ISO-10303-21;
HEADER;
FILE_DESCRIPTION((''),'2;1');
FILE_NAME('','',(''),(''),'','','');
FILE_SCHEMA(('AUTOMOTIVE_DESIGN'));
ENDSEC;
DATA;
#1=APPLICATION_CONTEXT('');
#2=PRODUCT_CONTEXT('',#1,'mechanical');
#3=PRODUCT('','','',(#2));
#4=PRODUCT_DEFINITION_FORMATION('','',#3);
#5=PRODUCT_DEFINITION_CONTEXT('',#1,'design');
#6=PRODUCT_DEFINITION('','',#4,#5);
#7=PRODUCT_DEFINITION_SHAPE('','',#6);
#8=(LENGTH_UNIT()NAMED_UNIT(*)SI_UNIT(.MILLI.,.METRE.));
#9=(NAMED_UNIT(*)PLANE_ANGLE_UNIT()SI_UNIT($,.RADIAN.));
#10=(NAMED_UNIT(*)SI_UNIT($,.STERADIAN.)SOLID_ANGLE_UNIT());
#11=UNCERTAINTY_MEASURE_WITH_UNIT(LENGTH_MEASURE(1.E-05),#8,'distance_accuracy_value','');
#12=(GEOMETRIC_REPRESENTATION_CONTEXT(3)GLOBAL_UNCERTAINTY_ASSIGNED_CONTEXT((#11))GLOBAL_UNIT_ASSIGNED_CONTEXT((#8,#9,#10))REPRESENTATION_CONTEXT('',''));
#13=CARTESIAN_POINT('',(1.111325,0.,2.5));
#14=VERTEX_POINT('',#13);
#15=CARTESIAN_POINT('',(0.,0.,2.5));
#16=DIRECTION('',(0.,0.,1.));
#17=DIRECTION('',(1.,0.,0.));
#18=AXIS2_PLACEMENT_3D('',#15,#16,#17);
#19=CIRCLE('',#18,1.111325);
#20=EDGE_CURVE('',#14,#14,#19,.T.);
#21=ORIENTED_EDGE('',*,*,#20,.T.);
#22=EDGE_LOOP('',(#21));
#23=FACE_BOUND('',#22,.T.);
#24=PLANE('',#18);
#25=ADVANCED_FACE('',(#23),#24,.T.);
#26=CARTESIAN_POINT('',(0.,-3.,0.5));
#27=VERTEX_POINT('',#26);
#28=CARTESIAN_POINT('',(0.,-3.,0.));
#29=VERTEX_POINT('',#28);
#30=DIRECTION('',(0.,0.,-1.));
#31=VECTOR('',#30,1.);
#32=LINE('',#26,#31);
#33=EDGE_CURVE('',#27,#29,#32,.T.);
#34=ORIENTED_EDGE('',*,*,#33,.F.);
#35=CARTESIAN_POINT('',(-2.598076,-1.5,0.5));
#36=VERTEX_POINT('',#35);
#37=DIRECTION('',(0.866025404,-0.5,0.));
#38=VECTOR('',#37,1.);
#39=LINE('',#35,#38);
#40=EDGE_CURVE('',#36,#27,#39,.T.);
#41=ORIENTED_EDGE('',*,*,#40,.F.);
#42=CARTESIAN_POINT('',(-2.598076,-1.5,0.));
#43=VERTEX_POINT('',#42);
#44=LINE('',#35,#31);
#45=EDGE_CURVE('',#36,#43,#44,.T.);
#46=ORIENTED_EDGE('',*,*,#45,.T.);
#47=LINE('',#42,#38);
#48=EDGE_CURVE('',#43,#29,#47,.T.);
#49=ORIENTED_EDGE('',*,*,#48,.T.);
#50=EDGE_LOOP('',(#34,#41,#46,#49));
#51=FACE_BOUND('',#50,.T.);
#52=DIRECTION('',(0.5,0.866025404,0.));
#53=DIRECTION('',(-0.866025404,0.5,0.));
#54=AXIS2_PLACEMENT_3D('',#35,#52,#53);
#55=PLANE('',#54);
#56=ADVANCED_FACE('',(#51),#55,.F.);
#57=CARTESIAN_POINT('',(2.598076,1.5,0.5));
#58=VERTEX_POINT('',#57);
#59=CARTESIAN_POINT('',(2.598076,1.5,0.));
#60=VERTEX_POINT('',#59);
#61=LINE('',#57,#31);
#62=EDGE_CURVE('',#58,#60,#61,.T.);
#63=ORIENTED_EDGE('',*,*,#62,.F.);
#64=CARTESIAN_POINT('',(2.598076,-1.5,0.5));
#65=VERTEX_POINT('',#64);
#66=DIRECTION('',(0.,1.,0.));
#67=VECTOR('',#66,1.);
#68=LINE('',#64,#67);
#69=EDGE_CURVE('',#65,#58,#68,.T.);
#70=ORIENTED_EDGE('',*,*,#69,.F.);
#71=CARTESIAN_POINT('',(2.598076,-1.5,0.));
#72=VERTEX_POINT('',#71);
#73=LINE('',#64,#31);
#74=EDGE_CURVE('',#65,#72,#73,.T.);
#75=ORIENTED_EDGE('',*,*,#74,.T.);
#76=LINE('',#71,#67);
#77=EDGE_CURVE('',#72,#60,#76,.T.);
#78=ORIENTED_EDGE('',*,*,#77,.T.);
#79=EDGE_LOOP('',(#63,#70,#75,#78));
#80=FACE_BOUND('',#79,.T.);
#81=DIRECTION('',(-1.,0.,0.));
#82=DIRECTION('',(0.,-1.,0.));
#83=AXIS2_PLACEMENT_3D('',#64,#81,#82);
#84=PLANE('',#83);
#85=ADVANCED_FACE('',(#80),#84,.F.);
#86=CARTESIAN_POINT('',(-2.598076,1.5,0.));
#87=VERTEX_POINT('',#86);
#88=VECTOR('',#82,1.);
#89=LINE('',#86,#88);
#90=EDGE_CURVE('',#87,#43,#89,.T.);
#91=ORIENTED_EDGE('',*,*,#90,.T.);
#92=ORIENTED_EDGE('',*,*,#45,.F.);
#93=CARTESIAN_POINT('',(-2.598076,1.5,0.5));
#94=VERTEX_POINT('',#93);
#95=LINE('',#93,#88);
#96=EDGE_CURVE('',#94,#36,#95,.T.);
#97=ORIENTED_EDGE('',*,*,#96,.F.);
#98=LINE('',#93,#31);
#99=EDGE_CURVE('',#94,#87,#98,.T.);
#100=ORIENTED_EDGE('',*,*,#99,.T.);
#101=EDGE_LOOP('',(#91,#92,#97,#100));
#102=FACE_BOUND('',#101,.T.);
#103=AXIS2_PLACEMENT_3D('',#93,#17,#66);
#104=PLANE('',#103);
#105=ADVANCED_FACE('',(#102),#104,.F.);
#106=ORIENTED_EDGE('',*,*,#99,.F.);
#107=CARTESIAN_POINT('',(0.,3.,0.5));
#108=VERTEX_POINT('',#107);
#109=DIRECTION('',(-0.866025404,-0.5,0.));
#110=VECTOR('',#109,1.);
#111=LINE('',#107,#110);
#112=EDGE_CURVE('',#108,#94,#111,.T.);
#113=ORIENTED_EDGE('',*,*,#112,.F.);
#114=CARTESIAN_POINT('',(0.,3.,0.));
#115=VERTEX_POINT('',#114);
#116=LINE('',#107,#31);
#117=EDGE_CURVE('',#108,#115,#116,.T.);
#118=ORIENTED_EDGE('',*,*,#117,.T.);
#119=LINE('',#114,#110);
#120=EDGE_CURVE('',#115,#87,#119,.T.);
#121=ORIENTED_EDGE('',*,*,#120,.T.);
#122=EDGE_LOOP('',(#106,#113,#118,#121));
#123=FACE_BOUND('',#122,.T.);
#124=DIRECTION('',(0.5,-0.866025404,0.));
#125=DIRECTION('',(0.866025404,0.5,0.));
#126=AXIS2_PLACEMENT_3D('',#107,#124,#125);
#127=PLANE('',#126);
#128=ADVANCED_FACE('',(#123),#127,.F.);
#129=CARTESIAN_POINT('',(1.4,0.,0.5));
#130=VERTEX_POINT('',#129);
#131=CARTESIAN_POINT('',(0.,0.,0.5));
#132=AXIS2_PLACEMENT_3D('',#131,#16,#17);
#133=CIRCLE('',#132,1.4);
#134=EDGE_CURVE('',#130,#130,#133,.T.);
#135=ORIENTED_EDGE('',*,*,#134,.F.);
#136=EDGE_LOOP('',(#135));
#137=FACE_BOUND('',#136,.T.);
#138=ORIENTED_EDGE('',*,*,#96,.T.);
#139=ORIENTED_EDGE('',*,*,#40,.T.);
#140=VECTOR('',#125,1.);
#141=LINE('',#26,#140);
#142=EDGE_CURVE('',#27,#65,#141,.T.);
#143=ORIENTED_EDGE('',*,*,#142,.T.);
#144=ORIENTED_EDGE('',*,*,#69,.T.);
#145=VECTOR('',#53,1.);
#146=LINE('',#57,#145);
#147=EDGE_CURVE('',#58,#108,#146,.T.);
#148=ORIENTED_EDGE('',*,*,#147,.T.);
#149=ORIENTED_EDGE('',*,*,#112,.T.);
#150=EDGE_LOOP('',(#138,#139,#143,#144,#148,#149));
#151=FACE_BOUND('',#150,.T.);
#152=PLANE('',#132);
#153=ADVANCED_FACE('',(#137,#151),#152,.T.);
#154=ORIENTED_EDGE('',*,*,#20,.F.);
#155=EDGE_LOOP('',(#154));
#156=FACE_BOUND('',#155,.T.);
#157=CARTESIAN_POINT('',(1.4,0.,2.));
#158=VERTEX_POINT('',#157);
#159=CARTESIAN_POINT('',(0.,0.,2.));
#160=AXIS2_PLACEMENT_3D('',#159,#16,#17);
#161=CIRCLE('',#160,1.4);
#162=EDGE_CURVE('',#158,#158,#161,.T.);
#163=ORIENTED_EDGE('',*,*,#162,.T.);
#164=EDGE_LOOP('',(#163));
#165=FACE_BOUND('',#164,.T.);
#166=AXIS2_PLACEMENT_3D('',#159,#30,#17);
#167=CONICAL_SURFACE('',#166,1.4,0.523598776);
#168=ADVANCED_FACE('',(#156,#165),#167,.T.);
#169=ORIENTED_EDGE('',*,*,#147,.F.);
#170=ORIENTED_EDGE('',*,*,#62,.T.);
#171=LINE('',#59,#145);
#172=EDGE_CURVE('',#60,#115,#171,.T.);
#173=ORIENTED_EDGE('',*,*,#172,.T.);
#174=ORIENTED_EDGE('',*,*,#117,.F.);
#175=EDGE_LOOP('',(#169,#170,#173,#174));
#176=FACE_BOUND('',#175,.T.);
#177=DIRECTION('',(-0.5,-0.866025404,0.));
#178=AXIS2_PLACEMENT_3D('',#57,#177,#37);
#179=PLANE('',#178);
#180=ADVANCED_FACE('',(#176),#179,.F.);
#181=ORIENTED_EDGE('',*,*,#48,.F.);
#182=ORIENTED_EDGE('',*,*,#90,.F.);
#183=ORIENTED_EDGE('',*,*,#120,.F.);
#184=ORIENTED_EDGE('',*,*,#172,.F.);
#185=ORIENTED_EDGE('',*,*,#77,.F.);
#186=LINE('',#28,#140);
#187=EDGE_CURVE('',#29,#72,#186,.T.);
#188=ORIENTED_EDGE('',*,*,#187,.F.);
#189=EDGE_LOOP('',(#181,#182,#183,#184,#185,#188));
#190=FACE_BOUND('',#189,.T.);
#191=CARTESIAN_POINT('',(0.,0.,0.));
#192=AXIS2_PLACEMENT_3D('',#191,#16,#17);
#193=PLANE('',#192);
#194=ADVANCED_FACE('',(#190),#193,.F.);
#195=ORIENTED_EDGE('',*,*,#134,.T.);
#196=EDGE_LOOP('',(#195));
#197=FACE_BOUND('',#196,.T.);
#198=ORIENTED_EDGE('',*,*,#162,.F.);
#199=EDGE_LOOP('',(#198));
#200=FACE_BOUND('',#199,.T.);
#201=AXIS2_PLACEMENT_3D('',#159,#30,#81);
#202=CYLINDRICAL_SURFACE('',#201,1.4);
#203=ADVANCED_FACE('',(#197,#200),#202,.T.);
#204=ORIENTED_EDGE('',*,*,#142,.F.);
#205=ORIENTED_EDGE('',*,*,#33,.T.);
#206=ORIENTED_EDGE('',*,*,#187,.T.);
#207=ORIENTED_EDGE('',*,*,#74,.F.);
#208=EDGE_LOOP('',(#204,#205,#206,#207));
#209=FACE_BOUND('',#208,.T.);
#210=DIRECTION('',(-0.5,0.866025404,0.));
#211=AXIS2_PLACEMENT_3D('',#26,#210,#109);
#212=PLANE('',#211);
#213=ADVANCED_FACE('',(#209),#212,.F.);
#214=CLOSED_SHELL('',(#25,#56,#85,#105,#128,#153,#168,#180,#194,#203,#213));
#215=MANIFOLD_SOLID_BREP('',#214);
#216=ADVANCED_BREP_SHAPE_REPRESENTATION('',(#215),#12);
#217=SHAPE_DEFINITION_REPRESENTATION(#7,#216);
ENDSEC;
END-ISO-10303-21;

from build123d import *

# Parameters (mm, degrees)
BOSS_EXTRUDE1_DEPTH = 0.5
SKETCH2_R           = 1.4
BOSS_EXTRUDE2_DEPTH = 1.5
SKETCH3_R           = 1.4
BOSS_EXTRUDE3_DEPTH = 0.5
BOSS_EXTRUDE3_TAPER = 30


with BuildPart() as part:
    # Sketch1 → Boss-Extrude1 (new body)
    with BuildSketch(Plane.XY):
        Polygon((0, 3), (-2.598076211, 1.5), (-2.598076211, -1.5), (0, -3), (2.598076211, -1.5), (2.598076211, 1.5), align=None)
    extrude(amount=BOSS_EXTRUDE1_DEPTH)

    # Sketch2 → Boss-Extrude2 (add)
    with BuildSketch(Plane.XY.offset(0.5)):
        Circle(SKETCH2_R)
    extrude(amount=BOSS_EXTRUDE2_DEPTH)

    # Sketch3 → Boss-Extrude3 (add)
    with BuildSketch(Plane.XY.offset(2)):
        Circle(SKETCH3_R)
    extrude(amount=BOSS_EXTRUDE3_DEPTH, taper=BOSS_EXTRUDE3_TAPER)


solid = part.part
